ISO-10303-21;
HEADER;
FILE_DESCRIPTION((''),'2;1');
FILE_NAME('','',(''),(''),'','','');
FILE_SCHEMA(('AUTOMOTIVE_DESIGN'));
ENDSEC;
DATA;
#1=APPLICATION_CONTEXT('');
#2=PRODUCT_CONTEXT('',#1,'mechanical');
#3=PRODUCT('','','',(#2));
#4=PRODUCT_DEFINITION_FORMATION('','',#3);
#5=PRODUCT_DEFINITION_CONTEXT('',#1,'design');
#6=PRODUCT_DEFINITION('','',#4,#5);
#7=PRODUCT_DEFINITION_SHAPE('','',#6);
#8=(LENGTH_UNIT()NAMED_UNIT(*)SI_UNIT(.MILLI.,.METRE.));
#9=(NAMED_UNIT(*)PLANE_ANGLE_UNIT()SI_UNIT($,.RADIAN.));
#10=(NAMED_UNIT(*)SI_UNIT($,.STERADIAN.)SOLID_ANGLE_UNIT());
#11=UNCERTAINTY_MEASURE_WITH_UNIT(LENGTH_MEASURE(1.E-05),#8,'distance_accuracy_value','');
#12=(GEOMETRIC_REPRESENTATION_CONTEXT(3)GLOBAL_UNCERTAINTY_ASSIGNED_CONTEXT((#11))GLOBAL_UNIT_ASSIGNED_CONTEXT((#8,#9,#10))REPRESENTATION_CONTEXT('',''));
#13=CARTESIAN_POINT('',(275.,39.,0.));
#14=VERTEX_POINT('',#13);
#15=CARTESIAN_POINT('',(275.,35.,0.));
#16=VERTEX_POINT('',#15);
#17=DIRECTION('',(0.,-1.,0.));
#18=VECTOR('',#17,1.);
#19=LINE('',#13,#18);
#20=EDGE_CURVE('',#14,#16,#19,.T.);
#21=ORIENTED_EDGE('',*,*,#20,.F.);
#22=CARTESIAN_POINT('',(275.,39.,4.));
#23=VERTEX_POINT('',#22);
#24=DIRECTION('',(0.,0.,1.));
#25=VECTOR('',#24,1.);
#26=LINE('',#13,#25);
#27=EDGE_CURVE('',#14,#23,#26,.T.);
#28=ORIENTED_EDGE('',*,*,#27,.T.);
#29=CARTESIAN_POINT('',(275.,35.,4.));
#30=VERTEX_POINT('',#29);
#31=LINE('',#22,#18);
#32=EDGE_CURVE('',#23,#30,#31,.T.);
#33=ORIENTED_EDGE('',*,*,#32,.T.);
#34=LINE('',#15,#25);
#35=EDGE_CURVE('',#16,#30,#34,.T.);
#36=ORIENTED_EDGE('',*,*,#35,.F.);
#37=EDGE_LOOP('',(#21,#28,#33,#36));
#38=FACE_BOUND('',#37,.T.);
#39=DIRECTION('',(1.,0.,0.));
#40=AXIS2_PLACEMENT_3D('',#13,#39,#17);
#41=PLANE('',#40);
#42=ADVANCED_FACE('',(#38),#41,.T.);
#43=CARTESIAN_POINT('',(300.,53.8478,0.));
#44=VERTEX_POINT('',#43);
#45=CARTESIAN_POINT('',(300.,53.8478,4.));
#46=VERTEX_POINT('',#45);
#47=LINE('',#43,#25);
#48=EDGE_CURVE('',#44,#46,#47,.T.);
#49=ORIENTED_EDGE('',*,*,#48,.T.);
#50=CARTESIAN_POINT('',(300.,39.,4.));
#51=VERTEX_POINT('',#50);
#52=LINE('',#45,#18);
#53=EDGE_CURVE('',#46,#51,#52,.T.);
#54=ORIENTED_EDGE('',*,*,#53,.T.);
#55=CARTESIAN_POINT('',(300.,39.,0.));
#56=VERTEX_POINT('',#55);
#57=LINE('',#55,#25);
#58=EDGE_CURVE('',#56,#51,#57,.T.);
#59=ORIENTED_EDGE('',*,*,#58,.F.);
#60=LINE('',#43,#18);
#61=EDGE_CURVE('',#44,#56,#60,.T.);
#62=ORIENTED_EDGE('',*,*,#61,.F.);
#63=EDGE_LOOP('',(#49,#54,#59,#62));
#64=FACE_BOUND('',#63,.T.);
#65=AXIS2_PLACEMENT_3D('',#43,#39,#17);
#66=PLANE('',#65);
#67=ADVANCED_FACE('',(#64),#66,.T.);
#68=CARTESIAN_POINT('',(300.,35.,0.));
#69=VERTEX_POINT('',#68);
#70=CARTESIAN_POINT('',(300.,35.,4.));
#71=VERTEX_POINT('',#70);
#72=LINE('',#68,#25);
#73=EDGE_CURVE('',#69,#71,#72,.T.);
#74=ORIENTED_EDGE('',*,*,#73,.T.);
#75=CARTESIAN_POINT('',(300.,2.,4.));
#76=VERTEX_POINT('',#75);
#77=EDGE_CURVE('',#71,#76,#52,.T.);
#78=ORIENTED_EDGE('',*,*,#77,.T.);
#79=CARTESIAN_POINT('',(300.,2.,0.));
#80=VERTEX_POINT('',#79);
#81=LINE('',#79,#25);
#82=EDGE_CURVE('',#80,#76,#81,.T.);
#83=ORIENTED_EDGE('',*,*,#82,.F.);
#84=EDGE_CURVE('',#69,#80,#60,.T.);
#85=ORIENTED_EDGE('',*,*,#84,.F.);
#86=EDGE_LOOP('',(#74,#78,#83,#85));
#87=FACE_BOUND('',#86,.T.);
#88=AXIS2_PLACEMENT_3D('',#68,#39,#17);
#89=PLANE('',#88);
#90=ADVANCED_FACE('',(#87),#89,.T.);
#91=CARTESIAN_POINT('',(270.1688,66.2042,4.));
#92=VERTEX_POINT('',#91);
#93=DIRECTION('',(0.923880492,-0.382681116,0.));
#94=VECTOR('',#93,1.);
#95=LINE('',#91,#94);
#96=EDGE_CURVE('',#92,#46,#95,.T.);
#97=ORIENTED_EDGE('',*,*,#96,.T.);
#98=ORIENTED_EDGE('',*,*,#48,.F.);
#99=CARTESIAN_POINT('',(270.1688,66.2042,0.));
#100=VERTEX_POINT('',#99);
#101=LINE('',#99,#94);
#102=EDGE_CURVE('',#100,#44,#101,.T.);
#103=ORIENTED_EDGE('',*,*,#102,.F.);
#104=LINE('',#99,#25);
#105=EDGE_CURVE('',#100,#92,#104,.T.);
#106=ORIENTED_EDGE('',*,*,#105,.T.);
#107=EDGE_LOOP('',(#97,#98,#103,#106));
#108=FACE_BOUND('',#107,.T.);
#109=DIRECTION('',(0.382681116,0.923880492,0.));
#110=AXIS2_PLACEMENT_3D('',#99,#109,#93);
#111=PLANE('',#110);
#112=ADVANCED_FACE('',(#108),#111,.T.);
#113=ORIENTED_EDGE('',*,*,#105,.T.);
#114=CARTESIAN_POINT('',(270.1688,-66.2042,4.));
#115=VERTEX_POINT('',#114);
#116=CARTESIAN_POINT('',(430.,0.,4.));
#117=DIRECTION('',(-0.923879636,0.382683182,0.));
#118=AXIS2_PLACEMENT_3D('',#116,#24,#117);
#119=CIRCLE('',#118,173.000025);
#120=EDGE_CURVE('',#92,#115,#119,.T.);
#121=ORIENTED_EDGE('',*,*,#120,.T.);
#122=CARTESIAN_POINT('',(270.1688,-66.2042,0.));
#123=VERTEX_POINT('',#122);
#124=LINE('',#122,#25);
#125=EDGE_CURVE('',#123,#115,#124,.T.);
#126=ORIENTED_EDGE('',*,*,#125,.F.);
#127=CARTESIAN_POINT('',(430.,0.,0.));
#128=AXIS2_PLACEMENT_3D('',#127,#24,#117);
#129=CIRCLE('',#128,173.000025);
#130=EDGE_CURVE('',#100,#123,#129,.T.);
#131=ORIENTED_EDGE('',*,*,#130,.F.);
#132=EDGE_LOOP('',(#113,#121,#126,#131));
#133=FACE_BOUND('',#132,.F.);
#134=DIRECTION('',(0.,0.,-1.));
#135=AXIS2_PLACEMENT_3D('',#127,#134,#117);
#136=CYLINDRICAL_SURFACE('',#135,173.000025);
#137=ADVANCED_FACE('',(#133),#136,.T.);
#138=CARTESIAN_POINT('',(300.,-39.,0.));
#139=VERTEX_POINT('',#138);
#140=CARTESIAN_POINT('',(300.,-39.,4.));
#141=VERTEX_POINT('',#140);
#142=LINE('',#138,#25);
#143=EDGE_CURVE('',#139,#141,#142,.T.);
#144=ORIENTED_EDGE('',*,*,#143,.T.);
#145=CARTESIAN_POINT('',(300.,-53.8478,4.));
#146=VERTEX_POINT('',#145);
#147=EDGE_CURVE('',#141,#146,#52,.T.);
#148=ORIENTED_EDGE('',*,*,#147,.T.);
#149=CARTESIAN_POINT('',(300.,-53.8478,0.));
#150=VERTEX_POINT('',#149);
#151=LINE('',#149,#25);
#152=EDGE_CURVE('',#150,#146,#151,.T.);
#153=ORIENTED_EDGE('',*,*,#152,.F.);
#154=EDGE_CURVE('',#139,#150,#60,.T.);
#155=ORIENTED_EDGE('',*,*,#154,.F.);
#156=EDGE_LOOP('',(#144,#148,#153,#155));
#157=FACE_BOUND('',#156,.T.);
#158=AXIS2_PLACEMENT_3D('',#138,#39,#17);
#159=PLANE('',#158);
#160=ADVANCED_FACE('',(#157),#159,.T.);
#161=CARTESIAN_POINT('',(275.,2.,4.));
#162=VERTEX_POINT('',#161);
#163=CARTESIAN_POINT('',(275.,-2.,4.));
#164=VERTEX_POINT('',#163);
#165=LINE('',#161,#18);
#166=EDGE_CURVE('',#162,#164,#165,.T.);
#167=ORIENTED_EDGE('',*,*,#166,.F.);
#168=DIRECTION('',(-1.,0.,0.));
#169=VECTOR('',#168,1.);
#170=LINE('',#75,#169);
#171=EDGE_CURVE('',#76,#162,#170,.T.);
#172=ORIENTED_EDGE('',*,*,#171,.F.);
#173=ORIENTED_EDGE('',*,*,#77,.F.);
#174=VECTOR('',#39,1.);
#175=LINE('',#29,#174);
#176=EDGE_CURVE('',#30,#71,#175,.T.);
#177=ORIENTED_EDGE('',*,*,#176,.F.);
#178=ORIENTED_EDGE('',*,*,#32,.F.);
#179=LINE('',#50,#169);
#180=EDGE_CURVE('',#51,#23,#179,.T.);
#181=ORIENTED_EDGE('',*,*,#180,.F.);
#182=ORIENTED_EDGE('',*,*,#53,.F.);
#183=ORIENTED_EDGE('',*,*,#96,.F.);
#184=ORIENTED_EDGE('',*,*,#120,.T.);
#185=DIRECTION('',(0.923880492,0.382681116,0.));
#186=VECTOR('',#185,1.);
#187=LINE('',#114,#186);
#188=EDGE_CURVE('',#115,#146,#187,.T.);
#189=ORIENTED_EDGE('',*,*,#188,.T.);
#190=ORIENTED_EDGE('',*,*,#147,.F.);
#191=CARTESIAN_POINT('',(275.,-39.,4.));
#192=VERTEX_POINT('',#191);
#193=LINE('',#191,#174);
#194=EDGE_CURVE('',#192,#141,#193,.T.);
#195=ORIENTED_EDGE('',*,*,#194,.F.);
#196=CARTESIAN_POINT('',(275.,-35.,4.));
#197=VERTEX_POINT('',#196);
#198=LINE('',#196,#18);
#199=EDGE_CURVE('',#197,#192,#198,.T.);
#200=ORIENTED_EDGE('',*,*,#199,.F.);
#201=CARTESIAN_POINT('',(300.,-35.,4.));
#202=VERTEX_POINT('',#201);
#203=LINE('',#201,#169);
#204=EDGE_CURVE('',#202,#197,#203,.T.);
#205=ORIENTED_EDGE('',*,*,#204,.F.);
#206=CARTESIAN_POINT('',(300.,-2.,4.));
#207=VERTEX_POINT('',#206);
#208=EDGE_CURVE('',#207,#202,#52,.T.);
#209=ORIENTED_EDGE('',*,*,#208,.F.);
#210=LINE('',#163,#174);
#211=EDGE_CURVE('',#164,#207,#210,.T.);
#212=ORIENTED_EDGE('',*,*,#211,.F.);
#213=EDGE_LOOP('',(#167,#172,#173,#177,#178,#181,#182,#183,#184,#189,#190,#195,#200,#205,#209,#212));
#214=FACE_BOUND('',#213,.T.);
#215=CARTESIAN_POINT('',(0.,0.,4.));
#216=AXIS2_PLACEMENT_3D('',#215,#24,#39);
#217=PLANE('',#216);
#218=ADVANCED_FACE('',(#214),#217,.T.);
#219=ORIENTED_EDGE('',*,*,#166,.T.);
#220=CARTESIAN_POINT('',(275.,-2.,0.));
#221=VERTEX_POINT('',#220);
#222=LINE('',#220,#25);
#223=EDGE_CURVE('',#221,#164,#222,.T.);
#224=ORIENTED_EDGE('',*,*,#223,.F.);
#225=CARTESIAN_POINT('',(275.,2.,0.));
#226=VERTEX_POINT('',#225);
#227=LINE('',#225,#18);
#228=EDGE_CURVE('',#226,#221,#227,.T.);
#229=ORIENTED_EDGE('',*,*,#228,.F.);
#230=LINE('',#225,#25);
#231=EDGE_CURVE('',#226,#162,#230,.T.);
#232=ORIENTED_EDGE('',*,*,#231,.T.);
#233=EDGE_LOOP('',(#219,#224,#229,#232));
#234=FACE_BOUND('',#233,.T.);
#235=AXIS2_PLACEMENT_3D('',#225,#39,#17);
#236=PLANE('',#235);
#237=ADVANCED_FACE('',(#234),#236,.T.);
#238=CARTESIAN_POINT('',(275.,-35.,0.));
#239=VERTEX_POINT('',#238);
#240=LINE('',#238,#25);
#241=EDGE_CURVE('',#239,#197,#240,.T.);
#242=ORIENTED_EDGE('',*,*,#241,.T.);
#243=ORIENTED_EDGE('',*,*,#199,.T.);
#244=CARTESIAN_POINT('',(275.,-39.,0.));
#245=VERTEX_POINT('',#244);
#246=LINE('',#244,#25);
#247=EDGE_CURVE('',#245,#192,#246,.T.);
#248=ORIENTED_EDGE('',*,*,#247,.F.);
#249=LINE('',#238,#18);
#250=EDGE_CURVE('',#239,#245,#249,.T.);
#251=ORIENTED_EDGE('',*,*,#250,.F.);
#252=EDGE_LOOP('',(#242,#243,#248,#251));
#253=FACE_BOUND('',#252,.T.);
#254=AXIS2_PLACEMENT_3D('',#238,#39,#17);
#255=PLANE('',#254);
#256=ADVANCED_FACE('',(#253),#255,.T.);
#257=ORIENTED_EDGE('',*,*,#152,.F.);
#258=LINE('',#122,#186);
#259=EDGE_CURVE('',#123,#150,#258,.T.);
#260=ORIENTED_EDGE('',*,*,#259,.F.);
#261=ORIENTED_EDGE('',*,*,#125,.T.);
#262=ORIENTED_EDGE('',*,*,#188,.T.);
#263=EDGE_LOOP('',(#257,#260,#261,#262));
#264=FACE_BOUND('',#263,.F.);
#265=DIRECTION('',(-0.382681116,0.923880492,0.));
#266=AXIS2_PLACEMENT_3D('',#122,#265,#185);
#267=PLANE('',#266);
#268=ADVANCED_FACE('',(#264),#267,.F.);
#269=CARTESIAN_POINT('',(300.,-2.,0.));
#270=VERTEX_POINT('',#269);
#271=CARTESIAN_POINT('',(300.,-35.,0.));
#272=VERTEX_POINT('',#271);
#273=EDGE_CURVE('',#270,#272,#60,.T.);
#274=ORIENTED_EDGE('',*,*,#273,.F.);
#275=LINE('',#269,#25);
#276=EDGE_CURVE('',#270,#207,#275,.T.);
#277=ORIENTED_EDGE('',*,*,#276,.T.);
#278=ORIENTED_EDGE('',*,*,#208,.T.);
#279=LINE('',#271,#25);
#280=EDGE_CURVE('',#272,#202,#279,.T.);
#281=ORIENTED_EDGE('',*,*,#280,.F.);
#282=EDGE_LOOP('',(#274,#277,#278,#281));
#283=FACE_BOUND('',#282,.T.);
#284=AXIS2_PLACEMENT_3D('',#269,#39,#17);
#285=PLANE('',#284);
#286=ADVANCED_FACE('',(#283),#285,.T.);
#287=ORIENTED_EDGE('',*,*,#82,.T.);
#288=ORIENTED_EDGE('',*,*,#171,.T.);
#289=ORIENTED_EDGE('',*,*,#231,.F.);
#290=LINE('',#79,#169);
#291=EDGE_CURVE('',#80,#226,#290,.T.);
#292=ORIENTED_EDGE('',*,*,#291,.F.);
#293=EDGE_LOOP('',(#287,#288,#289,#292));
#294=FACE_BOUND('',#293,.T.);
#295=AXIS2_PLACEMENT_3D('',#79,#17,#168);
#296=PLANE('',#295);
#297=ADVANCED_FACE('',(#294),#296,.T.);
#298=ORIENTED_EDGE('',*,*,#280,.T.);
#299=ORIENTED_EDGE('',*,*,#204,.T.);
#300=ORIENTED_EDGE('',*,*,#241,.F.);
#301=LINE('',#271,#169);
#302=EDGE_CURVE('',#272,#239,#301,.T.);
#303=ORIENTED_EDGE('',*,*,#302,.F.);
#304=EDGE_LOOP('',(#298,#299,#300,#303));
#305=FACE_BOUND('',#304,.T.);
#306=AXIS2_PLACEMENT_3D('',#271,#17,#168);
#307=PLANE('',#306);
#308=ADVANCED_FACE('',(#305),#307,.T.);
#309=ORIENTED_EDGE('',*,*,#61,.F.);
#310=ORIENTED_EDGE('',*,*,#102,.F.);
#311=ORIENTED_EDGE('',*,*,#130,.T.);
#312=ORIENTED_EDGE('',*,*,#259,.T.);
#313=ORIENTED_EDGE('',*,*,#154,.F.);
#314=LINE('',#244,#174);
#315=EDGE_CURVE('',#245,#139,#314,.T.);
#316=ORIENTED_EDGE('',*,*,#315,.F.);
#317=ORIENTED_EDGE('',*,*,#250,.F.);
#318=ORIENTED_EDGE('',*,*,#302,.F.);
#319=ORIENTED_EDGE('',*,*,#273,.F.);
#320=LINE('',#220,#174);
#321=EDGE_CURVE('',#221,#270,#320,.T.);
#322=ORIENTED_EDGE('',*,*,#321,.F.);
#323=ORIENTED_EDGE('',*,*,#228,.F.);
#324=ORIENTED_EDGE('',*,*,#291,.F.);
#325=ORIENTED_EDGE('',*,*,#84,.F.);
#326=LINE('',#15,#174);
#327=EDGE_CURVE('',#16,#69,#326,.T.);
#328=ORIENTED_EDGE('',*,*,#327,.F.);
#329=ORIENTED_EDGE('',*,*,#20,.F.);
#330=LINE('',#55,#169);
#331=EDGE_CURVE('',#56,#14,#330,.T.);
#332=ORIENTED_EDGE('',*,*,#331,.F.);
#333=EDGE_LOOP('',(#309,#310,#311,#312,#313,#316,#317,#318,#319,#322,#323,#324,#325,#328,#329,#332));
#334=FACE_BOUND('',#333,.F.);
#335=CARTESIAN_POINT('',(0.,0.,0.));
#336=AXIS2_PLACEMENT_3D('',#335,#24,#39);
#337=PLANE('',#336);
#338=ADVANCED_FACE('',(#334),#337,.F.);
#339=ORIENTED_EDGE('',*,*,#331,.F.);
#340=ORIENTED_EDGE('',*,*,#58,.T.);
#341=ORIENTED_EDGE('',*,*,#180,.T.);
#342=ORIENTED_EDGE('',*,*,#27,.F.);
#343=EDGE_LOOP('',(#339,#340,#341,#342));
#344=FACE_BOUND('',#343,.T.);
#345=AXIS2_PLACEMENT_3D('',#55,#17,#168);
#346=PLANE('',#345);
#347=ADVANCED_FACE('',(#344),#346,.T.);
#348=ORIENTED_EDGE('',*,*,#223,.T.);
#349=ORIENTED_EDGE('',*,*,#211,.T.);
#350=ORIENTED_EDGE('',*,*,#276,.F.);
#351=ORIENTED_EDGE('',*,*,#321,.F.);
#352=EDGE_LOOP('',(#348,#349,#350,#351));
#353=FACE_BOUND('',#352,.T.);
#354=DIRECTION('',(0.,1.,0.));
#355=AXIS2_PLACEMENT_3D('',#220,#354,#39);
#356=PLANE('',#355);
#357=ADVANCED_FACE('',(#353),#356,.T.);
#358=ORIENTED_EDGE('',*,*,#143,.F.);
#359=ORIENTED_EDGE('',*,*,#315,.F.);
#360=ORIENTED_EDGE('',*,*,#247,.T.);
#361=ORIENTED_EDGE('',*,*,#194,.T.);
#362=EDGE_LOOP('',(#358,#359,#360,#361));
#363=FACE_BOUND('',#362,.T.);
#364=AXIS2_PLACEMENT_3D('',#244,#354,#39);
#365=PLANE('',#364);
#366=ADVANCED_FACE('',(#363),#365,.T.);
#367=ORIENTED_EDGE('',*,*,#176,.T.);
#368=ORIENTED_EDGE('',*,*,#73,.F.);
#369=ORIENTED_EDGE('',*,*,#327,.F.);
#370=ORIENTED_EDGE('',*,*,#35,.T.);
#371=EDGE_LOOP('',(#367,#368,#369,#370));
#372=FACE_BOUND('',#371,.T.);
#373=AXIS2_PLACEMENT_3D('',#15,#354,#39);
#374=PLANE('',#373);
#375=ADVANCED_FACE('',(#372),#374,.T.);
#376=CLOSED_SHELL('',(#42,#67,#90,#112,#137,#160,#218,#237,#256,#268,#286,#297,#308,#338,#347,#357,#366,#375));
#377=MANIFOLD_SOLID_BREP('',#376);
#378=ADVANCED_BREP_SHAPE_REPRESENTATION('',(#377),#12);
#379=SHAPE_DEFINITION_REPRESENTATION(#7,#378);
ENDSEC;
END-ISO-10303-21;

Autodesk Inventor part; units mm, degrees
ref_plane "YZ Plane" through (0, 0, 0) normal (1, 0, 0) x (0, 1, 0)
ref_plane "XZ Plane" through (0, 0, 0) normal (0, 1, 0) x (-1, 0, 0)
ref_plane "Work Plane1" through (0, 0, 0) normal (0, 0, 1) x (1, 0, 0)
sketch "Sketch1" plane through (0, 0, 0) normal (0, 0, 1) x (1, 0, 0)
  line L0 (300, 300) -> (-300, 300) construction
  line L1 (-300, 300) -> (-300, -300) construction
  line L2 (-300, -300) -> (300, -300) construction
  line L3 (300, -300) -> (300, 300) construction
  line L4 (300, -53.8478) -> (-254.3277, -283.4578) construction
  arc A0 (269.6349, -64.9002) -> (269.6349, -64.9002) centre (430, 0) ccw construction
  arc A1 (269.2287, 63.8872) -> (269.6349, -64.9002) centre (430, 0) ccw construction
  arc A2 (269.2287, 63.8872) -> (269.2287, 63.8872) centre (430, 0) ccw construction
  line L5 (-254.3277, 283.4578) -> (300, 53.8478) construction
  line L6 (300, 53.8478) -> (300, -53.8478)
  line L7 (270.1688, -66.2042) -> (300, -53.8478)
  line L8 (270.1688, 66.2042) -> (300, 53.8478)
  arc A3 (270.1688, 66.2042) -> (270.1688, -66.2042) centre (430, 0) ccw
  line L9 (300, -35) -> (275, -35)
  line L10 (275, -35) -> (275, -39)
  line L11 (275, -39) -> (300, -39)
  line L12 (300, -39) -> (300, -35)
  line L13 (300, 2) -> (275, 2)
  line L14 (275, 2) -> (275, -2)
  line L15 (275, -2) -> (300, -2)
  line L16 (300, -2) -> (300, 2)
  line L17 (300, 39) -> (275, 39)
  line L18 (275, 39) -> (275, 35)
  line L19 (275, 35) -> (300, 35)
  line L20 (300, 35) -> (300, 39)
  point P0 (0, 0)
  point P1 (300, 0)
  dimension "d2" = 25
  dimension "d3" = 4
  dimension "d4" = 25
  dimension "d5" = 4
  dimension "d6" = 25
  dimension "d7" = 4
  dimension "d8" = 35
  dimension "d9" = 35
extrude "Extrusion2" add sketch "Sketch1" along normal blind 4 contours L6 L17 L18 L19 L13 L14 L15 L9 L10 L11 L7 A3 L8
equation "\"d3\" = d7"
equation "\"d5\" = d7"
properties part number "frontformer" material "Wood (Cherry)"
